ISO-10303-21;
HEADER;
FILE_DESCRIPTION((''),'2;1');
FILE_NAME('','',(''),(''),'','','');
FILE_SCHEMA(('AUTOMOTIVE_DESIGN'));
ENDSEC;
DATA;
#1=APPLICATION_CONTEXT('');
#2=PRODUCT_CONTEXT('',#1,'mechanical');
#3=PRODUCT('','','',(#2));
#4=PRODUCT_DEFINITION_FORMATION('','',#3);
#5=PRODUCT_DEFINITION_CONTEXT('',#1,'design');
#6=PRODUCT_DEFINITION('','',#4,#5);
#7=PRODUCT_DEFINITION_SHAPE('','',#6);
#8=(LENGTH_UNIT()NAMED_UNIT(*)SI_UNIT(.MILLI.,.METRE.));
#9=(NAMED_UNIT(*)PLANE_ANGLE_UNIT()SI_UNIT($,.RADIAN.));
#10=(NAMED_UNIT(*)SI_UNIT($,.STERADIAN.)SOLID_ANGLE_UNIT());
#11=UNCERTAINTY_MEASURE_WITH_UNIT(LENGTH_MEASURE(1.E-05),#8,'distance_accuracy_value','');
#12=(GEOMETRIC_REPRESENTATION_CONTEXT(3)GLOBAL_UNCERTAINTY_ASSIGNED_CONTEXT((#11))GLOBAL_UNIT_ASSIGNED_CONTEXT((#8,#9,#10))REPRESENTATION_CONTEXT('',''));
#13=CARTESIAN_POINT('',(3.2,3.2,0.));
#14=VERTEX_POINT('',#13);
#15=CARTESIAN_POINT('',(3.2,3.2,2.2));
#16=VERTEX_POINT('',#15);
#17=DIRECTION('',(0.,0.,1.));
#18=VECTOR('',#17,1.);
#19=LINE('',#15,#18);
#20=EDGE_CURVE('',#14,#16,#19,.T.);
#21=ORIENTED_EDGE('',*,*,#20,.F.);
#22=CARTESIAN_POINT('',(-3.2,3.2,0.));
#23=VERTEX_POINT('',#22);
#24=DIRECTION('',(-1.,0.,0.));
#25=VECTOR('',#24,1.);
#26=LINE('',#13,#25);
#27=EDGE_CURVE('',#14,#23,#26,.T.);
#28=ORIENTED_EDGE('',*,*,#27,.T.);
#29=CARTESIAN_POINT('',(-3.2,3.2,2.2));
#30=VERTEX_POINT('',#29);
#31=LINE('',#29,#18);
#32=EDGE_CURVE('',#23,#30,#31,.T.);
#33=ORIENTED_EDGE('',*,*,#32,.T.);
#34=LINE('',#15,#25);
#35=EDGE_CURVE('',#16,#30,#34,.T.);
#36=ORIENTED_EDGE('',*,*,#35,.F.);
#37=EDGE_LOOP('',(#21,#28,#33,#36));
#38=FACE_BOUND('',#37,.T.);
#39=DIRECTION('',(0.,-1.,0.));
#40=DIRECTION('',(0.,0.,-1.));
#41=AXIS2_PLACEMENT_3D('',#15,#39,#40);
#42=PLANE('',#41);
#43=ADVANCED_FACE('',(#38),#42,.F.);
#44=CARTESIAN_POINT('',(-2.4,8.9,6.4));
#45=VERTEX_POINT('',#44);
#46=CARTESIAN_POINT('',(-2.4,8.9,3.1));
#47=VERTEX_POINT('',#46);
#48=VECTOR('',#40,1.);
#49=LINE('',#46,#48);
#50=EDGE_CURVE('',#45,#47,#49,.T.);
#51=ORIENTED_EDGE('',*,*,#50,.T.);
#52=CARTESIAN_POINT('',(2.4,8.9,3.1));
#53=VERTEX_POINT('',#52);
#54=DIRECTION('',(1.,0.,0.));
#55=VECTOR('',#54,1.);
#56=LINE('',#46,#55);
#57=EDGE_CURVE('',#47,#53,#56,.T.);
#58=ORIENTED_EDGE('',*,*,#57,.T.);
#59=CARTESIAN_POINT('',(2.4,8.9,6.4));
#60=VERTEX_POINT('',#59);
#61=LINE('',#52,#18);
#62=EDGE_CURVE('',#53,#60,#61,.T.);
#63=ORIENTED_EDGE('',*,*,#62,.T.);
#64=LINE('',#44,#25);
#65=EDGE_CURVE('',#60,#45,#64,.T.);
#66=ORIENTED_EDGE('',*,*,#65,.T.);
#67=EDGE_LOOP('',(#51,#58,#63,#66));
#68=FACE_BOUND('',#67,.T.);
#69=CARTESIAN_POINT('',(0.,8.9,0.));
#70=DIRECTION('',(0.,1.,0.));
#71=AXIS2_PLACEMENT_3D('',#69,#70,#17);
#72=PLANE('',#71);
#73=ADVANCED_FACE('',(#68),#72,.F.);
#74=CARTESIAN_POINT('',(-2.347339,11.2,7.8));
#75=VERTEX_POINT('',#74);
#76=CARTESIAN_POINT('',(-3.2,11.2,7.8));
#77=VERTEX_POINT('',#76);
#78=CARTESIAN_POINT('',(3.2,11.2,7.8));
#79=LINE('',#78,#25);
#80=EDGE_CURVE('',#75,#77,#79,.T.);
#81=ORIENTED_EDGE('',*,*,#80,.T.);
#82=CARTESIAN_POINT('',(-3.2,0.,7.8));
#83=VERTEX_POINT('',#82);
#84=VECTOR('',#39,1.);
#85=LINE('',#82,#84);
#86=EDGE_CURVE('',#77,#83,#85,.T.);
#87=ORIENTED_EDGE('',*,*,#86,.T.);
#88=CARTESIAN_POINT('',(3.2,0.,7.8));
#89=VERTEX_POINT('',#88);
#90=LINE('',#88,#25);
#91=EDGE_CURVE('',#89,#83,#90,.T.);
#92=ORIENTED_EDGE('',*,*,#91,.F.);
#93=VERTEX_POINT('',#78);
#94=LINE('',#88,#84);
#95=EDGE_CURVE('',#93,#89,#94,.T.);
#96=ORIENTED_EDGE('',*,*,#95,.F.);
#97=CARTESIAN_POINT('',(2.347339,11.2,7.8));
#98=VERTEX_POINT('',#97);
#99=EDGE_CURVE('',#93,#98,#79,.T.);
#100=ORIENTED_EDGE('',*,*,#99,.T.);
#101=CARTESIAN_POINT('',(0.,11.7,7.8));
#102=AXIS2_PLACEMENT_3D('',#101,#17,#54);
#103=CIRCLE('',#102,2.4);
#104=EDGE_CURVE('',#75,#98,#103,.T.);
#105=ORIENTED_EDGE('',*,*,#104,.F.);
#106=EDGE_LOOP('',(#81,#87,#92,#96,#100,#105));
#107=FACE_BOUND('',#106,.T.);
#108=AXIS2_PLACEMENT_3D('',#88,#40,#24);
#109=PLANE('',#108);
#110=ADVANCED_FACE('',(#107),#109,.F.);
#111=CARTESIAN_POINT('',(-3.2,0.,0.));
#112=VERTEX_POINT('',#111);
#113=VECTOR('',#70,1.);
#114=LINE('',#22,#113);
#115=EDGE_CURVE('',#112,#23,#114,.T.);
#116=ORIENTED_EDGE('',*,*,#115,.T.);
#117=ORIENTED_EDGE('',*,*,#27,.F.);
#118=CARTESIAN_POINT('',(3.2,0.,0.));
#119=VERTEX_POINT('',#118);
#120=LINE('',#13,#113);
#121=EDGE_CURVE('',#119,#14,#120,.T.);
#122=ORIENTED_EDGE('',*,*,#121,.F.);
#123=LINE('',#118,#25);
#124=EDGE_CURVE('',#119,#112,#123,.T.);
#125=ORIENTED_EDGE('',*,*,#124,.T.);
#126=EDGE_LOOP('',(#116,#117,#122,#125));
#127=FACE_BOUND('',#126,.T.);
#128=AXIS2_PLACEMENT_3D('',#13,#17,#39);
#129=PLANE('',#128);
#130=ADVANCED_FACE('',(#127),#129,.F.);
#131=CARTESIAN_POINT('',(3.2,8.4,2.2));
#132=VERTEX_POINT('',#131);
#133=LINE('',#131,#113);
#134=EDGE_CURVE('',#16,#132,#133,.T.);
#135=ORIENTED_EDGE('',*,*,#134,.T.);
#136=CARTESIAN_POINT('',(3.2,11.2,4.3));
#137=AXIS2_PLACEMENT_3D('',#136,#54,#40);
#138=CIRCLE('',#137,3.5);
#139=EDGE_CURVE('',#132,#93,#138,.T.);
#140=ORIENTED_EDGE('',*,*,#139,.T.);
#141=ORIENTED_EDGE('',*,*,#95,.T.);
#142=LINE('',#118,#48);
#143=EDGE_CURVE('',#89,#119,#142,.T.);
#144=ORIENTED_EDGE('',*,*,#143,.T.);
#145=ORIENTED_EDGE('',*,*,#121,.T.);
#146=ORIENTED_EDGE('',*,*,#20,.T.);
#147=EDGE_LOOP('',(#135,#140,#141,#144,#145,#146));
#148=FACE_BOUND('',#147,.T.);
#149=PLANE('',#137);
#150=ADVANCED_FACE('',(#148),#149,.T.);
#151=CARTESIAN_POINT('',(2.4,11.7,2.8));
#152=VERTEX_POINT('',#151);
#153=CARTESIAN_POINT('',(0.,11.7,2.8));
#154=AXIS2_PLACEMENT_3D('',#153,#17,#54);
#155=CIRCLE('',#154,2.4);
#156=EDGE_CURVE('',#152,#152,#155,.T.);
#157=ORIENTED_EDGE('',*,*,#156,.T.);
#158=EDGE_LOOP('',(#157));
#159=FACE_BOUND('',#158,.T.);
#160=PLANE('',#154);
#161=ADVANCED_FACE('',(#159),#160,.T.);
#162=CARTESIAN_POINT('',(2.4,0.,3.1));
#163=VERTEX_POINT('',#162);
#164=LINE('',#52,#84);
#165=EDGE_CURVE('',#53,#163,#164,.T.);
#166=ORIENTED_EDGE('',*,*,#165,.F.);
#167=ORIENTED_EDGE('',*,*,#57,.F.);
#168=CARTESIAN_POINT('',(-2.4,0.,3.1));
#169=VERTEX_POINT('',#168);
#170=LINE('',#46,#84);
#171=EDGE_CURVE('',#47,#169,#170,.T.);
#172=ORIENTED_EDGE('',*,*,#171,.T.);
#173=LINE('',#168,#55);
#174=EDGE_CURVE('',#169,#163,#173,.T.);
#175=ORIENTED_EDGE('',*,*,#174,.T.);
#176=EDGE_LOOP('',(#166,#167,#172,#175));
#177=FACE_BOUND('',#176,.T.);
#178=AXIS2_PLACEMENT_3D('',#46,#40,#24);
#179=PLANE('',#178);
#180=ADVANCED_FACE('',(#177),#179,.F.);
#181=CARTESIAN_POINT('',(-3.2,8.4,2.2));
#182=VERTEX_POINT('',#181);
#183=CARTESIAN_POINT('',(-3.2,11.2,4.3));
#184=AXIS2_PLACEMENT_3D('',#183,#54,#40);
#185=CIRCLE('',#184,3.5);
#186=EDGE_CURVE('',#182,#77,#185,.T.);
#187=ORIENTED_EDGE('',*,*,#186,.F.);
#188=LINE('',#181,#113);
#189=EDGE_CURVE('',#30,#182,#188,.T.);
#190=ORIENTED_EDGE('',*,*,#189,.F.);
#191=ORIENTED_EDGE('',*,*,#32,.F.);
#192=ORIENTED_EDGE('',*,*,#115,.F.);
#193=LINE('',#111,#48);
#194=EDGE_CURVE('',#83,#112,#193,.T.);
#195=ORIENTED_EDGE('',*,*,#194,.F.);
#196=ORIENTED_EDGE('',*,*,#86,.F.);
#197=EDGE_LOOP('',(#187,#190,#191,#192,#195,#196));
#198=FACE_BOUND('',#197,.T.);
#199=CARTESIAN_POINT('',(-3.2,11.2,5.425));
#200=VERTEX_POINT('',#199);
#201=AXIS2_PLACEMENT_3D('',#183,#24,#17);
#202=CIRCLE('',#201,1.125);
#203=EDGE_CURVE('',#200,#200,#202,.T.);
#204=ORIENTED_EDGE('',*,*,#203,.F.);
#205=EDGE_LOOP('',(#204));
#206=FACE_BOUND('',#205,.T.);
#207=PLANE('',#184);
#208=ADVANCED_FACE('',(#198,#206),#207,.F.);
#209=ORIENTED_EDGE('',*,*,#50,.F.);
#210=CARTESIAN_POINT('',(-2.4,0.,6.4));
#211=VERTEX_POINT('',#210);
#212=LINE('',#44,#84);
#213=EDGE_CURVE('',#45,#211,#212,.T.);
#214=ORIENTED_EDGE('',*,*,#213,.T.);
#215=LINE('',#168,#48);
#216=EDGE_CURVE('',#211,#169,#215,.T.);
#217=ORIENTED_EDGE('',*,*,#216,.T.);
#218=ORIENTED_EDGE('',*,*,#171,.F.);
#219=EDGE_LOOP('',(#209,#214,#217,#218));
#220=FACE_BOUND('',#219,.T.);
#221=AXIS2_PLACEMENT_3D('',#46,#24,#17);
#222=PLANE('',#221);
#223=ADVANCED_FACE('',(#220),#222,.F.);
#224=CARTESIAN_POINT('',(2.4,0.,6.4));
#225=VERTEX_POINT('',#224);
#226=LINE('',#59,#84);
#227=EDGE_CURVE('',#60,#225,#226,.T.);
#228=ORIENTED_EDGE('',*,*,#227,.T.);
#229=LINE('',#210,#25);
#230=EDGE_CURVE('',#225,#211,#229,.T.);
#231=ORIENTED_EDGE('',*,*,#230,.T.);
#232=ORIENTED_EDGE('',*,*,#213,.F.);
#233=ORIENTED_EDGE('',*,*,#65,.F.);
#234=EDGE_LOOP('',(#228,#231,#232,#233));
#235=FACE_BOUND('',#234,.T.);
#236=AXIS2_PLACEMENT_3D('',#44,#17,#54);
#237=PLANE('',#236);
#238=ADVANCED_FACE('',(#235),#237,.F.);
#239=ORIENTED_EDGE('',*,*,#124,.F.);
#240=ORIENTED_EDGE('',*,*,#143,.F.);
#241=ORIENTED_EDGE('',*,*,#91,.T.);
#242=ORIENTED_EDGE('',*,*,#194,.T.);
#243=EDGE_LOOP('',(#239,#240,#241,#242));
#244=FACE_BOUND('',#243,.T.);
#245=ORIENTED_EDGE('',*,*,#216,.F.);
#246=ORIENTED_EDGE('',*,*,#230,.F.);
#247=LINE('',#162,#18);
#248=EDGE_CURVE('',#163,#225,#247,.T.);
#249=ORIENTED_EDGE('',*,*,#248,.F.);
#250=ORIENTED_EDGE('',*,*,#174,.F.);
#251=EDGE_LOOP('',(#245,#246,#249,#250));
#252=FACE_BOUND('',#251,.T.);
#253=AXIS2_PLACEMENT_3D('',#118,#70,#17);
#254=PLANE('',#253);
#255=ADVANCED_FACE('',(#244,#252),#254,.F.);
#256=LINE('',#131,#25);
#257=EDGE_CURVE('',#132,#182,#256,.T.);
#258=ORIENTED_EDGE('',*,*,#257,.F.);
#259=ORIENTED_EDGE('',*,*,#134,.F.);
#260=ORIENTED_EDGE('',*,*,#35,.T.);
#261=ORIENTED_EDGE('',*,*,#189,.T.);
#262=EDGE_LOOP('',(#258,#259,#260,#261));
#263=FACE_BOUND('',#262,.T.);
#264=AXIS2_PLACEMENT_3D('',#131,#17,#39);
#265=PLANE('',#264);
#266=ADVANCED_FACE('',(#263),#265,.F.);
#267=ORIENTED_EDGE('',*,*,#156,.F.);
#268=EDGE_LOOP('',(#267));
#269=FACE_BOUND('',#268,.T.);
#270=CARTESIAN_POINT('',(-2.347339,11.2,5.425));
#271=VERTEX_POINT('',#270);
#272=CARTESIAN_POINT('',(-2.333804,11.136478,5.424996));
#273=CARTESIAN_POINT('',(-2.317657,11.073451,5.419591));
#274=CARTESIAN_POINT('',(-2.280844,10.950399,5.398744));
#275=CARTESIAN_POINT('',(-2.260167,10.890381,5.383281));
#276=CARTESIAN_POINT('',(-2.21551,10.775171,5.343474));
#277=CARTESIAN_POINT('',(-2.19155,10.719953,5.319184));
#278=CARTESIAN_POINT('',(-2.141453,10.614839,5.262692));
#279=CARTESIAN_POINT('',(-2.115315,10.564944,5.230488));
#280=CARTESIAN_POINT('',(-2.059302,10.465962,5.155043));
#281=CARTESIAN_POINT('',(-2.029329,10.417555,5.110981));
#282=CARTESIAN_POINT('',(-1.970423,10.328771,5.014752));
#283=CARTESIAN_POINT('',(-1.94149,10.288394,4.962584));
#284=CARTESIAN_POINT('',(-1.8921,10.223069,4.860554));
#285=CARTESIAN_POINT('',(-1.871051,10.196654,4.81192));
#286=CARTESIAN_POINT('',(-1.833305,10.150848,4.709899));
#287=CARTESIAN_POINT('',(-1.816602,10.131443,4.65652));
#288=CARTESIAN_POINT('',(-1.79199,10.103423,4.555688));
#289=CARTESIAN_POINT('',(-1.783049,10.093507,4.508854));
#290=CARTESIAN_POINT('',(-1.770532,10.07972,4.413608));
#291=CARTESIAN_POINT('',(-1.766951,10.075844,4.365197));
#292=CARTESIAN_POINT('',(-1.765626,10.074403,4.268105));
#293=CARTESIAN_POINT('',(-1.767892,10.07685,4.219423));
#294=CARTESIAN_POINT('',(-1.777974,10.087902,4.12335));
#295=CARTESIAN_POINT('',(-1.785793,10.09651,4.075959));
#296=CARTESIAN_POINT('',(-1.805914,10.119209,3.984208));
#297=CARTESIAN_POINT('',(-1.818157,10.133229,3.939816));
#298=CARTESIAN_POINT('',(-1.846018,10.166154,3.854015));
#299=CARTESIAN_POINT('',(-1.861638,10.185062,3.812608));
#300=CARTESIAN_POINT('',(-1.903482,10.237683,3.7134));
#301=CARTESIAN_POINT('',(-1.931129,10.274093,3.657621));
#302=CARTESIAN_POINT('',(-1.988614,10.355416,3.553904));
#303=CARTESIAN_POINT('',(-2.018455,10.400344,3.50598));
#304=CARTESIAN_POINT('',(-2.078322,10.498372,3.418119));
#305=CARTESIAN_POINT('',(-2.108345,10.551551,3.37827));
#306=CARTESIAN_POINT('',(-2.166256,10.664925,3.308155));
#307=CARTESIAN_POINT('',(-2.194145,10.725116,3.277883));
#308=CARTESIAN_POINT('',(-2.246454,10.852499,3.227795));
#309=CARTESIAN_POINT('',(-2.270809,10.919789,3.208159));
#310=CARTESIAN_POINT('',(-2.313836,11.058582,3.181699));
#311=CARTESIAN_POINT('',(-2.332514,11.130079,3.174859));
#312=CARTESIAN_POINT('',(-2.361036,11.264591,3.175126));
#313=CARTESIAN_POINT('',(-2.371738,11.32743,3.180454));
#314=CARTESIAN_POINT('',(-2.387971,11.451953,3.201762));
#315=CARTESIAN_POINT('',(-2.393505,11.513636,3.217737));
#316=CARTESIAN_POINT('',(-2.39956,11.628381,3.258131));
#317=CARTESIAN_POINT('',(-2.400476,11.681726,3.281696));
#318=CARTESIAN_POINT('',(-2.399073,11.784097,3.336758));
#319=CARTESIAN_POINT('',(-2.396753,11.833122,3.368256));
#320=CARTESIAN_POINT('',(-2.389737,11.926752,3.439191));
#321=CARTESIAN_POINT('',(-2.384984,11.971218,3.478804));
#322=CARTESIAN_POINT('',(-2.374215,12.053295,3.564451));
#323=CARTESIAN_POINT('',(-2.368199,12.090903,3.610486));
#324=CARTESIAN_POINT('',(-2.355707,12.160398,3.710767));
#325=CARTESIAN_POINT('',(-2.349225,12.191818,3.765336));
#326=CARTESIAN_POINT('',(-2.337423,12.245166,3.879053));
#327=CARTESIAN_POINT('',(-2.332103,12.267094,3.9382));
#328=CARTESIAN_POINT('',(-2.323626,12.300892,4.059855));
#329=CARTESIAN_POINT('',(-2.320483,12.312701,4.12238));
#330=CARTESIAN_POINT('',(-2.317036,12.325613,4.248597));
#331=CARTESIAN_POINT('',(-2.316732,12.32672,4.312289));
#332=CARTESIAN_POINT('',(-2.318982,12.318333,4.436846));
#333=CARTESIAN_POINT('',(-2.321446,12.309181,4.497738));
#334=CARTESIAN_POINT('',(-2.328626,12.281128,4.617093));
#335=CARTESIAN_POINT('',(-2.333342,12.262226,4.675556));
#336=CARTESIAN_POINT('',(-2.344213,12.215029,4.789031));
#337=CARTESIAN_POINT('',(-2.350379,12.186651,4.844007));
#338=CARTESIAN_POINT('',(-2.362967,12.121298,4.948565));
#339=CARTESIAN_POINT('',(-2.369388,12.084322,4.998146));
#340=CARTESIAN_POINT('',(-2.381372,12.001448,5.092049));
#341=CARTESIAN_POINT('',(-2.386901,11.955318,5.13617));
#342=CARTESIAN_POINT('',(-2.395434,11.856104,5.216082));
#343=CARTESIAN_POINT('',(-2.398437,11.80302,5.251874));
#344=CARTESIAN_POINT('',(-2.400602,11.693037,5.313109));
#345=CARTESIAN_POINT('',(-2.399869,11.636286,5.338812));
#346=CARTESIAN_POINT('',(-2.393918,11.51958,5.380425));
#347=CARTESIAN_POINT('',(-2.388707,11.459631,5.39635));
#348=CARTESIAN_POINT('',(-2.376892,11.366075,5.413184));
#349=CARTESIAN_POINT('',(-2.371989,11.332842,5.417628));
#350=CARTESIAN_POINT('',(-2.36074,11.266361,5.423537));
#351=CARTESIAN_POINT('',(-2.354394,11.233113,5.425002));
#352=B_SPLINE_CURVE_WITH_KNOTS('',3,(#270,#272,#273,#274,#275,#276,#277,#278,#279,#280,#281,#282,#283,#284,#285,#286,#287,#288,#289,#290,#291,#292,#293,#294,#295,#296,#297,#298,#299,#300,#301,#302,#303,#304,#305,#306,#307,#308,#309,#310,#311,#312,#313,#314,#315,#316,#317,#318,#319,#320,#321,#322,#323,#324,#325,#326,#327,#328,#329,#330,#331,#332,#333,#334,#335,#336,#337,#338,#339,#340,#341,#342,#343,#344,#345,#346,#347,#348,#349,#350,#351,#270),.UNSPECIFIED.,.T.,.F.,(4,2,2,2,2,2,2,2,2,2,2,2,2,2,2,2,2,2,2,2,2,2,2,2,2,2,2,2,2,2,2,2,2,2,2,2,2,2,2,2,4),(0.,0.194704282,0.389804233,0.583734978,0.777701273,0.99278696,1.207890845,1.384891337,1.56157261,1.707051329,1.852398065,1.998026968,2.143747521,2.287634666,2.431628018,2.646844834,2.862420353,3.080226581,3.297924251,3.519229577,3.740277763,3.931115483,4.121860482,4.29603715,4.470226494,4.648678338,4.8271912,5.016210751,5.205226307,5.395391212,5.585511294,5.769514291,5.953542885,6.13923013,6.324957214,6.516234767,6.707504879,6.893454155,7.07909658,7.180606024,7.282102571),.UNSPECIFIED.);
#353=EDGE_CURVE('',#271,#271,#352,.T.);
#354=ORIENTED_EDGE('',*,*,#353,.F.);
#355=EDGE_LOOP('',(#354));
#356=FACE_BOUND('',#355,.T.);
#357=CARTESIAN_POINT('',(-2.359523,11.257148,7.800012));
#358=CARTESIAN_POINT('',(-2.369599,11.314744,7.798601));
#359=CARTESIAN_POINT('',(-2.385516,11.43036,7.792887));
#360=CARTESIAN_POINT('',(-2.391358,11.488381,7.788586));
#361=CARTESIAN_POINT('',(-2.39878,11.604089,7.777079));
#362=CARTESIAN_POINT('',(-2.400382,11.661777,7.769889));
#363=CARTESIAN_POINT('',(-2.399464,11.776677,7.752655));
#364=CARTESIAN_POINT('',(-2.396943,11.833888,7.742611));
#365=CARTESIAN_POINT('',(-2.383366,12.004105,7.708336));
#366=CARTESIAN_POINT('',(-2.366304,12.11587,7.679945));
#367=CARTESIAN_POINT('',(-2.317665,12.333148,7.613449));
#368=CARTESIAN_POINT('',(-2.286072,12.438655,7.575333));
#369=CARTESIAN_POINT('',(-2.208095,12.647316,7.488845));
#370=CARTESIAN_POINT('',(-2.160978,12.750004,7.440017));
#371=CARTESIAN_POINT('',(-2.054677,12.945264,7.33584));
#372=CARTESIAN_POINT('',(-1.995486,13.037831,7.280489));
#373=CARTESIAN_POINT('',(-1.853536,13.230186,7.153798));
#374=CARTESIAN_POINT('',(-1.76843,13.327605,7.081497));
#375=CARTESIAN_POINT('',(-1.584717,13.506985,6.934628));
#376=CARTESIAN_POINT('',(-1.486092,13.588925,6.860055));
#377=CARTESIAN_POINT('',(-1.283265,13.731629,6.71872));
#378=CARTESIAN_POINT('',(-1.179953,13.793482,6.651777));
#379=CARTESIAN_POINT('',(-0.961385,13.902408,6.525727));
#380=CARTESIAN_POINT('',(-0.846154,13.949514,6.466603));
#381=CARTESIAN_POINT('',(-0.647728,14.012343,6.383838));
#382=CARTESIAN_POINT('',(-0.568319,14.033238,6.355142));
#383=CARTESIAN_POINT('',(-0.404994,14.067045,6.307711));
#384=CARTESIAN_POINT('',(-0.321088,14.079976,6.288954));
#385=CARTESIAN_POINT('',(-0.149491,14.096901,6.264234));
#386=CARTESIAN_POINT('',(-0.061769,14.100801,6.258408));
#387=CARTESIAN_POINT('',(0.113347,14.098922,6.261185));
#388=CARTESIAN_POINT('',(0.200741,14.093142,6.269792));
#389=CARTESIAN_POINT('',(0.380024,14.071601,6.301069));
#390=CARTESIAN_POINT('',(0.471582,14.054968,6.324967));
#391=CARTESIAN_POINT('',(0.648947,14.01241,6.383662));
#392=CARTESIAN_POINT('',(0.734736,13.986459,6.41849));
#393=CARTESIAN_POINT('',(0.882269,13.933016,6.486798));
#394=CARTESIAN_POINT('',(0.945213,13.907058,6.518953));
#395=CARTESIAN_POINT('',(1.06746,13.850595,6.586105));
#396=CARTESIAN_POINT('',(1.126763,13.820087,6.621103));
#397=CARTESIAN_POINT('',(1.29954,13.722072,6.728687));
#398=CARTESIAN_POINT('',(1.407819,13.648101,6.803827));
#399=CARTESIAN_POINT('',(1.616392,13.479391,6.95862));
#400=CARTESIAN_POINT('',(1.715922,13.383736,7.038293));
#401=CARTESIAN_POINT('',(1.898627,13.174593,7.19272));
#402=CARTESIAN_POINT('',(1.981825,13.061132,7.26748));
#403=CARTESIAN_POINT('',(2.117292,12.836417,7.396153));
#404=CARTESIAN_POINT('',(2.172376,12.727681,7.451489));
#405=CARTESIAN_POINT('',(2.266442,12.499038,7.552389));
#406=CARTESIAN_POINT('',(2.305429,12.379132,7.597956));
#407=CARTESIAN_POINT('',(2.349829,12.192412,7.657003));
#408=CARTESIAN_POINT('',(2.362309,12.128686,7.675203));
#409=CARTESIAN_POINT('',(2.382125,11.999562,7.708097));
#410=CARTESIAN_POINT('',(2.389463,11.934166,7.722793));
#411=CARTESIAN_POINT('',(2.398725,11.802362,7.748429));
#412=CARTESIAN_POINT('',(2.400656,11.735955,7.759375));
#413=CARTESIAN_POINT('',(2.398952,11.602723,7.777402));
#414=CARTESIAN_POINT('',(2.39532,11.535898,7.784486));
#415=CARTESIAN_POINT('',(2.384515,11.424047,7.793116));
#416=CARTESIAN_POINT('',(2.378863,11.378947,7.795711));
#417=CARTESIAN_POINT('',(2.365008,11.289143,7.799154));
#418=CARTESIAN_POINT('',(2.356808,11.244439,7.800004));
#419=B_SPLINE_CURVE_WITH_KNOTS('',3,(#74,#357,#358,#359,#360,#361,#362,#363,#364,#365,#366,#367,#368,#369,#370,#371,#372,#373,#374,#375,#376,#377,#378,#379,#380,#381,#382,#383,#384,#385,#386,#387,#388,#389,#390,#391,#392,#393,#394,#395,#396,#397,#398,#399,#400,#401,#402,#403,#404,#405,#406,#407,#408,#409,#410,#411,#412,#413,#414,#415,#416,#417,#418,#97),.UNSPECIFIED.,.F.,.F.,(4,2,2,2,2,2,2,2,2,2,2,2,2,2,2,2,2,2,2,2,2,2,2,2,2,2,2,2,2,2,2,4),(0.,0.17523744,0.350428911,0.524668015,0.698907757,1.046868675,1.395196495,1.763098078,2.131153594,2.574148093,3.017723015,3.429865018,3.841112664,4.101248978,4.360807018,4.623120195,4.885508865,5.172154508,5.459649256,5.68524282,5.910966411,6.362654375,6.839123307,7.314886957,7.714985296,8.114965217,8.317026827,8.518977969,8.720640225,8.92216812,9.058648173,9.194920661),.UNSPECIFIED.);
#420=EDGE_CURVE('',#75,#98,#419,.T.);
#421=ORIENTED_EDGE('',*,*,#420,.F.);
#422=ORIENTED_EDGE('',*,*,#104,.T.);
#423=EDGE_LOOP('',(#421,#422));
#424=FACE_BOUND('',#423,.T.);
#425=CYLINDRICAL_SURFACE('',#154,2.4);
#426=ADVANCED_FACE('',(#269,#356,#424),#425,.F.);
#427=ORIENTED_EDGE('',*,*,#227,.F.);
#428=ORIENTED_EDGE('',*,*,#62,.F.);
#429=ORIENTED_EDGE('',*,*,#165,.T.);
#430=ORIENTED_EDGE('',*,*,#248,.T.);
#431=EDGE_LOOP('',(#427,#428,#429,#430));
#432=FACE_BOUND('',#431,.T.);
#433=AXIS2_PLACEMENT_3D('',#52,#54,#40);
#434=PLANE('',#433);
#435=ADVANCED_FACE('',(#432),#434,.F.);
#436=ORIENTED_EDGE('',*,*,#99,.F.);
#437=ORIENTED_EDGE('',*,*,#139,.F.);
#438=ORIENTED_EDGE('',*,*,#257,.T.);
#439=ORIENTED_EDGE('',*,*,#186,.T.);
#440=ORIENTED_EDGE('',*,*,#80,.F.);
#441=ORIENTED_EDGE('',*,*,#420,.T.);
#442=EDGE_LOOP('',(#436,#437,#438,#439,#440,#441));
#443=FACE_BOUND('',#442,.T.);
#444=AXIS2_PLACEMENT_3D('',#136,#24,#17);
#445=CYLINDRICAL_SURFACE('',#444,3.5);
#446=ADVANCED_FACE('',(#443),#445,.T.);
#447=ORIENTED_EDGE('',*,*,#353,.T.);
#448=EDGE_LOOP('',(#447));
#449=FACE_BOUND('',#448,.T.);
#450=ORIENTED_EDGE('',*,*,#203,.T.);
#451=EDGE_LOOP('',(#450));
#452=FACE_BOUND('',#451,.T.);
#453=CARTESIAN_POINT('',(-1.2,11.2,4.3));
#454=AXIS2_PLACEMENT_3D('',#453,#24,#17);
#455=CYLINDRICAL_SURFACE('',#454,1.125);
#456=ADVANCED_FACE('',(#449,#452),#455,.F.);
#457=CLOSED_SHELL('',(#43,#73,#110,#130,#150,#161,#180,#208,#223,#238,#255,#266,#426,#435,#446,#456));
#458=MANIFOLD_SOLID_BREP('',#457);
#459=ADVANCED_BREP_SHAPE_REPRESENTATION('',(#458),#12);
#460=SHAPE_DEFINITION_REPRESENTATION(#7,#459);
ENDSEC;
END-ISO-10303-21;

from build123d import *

# Parameters (mm, degrees)
BOSS_EXTRUDE1_DEPTH = 3.2
SKETCH2_W           = 4.8
SKETCH2_H           = 3.3
CUT_EXTRUDE1_DEPTH  = 8.9
SKETCH3_R           = 1.125
CUT_EXTRUDE2_DEPTH  = 2
SKETCH4_R           = 2.4
CUT_EXTRUDE3_DEPTH  = 5


with BuildPart() as part:
    # Sketch1 → Boss-Extrude1 (new, symmetric)
    with BuildSketch(Plane(origin=(0, 0, 0), x_dir=(0, 0, -1), z_dir=(1, 0, 0))):
        with BuildLine():
            Line((0, 0), (-7.8, 0))
            Line((-7.8, 0), (-7.8, 11.2))
            ThreePointArc((-7.8, 11.2), (-2.734752416, 14.330495168), (-2.2, 8.4))
            Line((-2.2, 8.4), (-2.2, 3.2))
            Line((-2.2, 3.2), (0, 3.2))
            Line((0, 3.2), (0, 0))
        make_face()
    extrude(amount=BOSS_EXTRUDE1_DEPTH, both=True)

    # Sketch2 → Cut-Extrude1 (cut)
    with BuildSketch(Plane.XZ):
        with Locations((0, 4.75)):
            Rectangle(SKETCH2_W, SKETCH2_H)
    extrude(amount=-CUT_EXTRUDE1_DEPTH, mode=Mode.SUBTRACT)

    # Sketch3 → Cut-Extrude2 (cut)
    with BuildSketch(Plane.ZY.offset(3.2)):
        with Locations((4.3, 11.2)):
            Circle(SKETCH3_R)
    extrude(amount=-CUT_EXTRUDE2_DEPTH, mode=Mode.SUBTRACT)

    # Sketch4 → Cut-Extrude3 (cut)
    with BuildSketch(Plane.XY.offset(7.8)):
        with Locations((0, 11.7)):
            Circle(SKETCH4_R)
    extrude(amount=-CUT_EXTRUDE3_DEPTH, mode=Mode.SUBTRACT)


solid = part.part
